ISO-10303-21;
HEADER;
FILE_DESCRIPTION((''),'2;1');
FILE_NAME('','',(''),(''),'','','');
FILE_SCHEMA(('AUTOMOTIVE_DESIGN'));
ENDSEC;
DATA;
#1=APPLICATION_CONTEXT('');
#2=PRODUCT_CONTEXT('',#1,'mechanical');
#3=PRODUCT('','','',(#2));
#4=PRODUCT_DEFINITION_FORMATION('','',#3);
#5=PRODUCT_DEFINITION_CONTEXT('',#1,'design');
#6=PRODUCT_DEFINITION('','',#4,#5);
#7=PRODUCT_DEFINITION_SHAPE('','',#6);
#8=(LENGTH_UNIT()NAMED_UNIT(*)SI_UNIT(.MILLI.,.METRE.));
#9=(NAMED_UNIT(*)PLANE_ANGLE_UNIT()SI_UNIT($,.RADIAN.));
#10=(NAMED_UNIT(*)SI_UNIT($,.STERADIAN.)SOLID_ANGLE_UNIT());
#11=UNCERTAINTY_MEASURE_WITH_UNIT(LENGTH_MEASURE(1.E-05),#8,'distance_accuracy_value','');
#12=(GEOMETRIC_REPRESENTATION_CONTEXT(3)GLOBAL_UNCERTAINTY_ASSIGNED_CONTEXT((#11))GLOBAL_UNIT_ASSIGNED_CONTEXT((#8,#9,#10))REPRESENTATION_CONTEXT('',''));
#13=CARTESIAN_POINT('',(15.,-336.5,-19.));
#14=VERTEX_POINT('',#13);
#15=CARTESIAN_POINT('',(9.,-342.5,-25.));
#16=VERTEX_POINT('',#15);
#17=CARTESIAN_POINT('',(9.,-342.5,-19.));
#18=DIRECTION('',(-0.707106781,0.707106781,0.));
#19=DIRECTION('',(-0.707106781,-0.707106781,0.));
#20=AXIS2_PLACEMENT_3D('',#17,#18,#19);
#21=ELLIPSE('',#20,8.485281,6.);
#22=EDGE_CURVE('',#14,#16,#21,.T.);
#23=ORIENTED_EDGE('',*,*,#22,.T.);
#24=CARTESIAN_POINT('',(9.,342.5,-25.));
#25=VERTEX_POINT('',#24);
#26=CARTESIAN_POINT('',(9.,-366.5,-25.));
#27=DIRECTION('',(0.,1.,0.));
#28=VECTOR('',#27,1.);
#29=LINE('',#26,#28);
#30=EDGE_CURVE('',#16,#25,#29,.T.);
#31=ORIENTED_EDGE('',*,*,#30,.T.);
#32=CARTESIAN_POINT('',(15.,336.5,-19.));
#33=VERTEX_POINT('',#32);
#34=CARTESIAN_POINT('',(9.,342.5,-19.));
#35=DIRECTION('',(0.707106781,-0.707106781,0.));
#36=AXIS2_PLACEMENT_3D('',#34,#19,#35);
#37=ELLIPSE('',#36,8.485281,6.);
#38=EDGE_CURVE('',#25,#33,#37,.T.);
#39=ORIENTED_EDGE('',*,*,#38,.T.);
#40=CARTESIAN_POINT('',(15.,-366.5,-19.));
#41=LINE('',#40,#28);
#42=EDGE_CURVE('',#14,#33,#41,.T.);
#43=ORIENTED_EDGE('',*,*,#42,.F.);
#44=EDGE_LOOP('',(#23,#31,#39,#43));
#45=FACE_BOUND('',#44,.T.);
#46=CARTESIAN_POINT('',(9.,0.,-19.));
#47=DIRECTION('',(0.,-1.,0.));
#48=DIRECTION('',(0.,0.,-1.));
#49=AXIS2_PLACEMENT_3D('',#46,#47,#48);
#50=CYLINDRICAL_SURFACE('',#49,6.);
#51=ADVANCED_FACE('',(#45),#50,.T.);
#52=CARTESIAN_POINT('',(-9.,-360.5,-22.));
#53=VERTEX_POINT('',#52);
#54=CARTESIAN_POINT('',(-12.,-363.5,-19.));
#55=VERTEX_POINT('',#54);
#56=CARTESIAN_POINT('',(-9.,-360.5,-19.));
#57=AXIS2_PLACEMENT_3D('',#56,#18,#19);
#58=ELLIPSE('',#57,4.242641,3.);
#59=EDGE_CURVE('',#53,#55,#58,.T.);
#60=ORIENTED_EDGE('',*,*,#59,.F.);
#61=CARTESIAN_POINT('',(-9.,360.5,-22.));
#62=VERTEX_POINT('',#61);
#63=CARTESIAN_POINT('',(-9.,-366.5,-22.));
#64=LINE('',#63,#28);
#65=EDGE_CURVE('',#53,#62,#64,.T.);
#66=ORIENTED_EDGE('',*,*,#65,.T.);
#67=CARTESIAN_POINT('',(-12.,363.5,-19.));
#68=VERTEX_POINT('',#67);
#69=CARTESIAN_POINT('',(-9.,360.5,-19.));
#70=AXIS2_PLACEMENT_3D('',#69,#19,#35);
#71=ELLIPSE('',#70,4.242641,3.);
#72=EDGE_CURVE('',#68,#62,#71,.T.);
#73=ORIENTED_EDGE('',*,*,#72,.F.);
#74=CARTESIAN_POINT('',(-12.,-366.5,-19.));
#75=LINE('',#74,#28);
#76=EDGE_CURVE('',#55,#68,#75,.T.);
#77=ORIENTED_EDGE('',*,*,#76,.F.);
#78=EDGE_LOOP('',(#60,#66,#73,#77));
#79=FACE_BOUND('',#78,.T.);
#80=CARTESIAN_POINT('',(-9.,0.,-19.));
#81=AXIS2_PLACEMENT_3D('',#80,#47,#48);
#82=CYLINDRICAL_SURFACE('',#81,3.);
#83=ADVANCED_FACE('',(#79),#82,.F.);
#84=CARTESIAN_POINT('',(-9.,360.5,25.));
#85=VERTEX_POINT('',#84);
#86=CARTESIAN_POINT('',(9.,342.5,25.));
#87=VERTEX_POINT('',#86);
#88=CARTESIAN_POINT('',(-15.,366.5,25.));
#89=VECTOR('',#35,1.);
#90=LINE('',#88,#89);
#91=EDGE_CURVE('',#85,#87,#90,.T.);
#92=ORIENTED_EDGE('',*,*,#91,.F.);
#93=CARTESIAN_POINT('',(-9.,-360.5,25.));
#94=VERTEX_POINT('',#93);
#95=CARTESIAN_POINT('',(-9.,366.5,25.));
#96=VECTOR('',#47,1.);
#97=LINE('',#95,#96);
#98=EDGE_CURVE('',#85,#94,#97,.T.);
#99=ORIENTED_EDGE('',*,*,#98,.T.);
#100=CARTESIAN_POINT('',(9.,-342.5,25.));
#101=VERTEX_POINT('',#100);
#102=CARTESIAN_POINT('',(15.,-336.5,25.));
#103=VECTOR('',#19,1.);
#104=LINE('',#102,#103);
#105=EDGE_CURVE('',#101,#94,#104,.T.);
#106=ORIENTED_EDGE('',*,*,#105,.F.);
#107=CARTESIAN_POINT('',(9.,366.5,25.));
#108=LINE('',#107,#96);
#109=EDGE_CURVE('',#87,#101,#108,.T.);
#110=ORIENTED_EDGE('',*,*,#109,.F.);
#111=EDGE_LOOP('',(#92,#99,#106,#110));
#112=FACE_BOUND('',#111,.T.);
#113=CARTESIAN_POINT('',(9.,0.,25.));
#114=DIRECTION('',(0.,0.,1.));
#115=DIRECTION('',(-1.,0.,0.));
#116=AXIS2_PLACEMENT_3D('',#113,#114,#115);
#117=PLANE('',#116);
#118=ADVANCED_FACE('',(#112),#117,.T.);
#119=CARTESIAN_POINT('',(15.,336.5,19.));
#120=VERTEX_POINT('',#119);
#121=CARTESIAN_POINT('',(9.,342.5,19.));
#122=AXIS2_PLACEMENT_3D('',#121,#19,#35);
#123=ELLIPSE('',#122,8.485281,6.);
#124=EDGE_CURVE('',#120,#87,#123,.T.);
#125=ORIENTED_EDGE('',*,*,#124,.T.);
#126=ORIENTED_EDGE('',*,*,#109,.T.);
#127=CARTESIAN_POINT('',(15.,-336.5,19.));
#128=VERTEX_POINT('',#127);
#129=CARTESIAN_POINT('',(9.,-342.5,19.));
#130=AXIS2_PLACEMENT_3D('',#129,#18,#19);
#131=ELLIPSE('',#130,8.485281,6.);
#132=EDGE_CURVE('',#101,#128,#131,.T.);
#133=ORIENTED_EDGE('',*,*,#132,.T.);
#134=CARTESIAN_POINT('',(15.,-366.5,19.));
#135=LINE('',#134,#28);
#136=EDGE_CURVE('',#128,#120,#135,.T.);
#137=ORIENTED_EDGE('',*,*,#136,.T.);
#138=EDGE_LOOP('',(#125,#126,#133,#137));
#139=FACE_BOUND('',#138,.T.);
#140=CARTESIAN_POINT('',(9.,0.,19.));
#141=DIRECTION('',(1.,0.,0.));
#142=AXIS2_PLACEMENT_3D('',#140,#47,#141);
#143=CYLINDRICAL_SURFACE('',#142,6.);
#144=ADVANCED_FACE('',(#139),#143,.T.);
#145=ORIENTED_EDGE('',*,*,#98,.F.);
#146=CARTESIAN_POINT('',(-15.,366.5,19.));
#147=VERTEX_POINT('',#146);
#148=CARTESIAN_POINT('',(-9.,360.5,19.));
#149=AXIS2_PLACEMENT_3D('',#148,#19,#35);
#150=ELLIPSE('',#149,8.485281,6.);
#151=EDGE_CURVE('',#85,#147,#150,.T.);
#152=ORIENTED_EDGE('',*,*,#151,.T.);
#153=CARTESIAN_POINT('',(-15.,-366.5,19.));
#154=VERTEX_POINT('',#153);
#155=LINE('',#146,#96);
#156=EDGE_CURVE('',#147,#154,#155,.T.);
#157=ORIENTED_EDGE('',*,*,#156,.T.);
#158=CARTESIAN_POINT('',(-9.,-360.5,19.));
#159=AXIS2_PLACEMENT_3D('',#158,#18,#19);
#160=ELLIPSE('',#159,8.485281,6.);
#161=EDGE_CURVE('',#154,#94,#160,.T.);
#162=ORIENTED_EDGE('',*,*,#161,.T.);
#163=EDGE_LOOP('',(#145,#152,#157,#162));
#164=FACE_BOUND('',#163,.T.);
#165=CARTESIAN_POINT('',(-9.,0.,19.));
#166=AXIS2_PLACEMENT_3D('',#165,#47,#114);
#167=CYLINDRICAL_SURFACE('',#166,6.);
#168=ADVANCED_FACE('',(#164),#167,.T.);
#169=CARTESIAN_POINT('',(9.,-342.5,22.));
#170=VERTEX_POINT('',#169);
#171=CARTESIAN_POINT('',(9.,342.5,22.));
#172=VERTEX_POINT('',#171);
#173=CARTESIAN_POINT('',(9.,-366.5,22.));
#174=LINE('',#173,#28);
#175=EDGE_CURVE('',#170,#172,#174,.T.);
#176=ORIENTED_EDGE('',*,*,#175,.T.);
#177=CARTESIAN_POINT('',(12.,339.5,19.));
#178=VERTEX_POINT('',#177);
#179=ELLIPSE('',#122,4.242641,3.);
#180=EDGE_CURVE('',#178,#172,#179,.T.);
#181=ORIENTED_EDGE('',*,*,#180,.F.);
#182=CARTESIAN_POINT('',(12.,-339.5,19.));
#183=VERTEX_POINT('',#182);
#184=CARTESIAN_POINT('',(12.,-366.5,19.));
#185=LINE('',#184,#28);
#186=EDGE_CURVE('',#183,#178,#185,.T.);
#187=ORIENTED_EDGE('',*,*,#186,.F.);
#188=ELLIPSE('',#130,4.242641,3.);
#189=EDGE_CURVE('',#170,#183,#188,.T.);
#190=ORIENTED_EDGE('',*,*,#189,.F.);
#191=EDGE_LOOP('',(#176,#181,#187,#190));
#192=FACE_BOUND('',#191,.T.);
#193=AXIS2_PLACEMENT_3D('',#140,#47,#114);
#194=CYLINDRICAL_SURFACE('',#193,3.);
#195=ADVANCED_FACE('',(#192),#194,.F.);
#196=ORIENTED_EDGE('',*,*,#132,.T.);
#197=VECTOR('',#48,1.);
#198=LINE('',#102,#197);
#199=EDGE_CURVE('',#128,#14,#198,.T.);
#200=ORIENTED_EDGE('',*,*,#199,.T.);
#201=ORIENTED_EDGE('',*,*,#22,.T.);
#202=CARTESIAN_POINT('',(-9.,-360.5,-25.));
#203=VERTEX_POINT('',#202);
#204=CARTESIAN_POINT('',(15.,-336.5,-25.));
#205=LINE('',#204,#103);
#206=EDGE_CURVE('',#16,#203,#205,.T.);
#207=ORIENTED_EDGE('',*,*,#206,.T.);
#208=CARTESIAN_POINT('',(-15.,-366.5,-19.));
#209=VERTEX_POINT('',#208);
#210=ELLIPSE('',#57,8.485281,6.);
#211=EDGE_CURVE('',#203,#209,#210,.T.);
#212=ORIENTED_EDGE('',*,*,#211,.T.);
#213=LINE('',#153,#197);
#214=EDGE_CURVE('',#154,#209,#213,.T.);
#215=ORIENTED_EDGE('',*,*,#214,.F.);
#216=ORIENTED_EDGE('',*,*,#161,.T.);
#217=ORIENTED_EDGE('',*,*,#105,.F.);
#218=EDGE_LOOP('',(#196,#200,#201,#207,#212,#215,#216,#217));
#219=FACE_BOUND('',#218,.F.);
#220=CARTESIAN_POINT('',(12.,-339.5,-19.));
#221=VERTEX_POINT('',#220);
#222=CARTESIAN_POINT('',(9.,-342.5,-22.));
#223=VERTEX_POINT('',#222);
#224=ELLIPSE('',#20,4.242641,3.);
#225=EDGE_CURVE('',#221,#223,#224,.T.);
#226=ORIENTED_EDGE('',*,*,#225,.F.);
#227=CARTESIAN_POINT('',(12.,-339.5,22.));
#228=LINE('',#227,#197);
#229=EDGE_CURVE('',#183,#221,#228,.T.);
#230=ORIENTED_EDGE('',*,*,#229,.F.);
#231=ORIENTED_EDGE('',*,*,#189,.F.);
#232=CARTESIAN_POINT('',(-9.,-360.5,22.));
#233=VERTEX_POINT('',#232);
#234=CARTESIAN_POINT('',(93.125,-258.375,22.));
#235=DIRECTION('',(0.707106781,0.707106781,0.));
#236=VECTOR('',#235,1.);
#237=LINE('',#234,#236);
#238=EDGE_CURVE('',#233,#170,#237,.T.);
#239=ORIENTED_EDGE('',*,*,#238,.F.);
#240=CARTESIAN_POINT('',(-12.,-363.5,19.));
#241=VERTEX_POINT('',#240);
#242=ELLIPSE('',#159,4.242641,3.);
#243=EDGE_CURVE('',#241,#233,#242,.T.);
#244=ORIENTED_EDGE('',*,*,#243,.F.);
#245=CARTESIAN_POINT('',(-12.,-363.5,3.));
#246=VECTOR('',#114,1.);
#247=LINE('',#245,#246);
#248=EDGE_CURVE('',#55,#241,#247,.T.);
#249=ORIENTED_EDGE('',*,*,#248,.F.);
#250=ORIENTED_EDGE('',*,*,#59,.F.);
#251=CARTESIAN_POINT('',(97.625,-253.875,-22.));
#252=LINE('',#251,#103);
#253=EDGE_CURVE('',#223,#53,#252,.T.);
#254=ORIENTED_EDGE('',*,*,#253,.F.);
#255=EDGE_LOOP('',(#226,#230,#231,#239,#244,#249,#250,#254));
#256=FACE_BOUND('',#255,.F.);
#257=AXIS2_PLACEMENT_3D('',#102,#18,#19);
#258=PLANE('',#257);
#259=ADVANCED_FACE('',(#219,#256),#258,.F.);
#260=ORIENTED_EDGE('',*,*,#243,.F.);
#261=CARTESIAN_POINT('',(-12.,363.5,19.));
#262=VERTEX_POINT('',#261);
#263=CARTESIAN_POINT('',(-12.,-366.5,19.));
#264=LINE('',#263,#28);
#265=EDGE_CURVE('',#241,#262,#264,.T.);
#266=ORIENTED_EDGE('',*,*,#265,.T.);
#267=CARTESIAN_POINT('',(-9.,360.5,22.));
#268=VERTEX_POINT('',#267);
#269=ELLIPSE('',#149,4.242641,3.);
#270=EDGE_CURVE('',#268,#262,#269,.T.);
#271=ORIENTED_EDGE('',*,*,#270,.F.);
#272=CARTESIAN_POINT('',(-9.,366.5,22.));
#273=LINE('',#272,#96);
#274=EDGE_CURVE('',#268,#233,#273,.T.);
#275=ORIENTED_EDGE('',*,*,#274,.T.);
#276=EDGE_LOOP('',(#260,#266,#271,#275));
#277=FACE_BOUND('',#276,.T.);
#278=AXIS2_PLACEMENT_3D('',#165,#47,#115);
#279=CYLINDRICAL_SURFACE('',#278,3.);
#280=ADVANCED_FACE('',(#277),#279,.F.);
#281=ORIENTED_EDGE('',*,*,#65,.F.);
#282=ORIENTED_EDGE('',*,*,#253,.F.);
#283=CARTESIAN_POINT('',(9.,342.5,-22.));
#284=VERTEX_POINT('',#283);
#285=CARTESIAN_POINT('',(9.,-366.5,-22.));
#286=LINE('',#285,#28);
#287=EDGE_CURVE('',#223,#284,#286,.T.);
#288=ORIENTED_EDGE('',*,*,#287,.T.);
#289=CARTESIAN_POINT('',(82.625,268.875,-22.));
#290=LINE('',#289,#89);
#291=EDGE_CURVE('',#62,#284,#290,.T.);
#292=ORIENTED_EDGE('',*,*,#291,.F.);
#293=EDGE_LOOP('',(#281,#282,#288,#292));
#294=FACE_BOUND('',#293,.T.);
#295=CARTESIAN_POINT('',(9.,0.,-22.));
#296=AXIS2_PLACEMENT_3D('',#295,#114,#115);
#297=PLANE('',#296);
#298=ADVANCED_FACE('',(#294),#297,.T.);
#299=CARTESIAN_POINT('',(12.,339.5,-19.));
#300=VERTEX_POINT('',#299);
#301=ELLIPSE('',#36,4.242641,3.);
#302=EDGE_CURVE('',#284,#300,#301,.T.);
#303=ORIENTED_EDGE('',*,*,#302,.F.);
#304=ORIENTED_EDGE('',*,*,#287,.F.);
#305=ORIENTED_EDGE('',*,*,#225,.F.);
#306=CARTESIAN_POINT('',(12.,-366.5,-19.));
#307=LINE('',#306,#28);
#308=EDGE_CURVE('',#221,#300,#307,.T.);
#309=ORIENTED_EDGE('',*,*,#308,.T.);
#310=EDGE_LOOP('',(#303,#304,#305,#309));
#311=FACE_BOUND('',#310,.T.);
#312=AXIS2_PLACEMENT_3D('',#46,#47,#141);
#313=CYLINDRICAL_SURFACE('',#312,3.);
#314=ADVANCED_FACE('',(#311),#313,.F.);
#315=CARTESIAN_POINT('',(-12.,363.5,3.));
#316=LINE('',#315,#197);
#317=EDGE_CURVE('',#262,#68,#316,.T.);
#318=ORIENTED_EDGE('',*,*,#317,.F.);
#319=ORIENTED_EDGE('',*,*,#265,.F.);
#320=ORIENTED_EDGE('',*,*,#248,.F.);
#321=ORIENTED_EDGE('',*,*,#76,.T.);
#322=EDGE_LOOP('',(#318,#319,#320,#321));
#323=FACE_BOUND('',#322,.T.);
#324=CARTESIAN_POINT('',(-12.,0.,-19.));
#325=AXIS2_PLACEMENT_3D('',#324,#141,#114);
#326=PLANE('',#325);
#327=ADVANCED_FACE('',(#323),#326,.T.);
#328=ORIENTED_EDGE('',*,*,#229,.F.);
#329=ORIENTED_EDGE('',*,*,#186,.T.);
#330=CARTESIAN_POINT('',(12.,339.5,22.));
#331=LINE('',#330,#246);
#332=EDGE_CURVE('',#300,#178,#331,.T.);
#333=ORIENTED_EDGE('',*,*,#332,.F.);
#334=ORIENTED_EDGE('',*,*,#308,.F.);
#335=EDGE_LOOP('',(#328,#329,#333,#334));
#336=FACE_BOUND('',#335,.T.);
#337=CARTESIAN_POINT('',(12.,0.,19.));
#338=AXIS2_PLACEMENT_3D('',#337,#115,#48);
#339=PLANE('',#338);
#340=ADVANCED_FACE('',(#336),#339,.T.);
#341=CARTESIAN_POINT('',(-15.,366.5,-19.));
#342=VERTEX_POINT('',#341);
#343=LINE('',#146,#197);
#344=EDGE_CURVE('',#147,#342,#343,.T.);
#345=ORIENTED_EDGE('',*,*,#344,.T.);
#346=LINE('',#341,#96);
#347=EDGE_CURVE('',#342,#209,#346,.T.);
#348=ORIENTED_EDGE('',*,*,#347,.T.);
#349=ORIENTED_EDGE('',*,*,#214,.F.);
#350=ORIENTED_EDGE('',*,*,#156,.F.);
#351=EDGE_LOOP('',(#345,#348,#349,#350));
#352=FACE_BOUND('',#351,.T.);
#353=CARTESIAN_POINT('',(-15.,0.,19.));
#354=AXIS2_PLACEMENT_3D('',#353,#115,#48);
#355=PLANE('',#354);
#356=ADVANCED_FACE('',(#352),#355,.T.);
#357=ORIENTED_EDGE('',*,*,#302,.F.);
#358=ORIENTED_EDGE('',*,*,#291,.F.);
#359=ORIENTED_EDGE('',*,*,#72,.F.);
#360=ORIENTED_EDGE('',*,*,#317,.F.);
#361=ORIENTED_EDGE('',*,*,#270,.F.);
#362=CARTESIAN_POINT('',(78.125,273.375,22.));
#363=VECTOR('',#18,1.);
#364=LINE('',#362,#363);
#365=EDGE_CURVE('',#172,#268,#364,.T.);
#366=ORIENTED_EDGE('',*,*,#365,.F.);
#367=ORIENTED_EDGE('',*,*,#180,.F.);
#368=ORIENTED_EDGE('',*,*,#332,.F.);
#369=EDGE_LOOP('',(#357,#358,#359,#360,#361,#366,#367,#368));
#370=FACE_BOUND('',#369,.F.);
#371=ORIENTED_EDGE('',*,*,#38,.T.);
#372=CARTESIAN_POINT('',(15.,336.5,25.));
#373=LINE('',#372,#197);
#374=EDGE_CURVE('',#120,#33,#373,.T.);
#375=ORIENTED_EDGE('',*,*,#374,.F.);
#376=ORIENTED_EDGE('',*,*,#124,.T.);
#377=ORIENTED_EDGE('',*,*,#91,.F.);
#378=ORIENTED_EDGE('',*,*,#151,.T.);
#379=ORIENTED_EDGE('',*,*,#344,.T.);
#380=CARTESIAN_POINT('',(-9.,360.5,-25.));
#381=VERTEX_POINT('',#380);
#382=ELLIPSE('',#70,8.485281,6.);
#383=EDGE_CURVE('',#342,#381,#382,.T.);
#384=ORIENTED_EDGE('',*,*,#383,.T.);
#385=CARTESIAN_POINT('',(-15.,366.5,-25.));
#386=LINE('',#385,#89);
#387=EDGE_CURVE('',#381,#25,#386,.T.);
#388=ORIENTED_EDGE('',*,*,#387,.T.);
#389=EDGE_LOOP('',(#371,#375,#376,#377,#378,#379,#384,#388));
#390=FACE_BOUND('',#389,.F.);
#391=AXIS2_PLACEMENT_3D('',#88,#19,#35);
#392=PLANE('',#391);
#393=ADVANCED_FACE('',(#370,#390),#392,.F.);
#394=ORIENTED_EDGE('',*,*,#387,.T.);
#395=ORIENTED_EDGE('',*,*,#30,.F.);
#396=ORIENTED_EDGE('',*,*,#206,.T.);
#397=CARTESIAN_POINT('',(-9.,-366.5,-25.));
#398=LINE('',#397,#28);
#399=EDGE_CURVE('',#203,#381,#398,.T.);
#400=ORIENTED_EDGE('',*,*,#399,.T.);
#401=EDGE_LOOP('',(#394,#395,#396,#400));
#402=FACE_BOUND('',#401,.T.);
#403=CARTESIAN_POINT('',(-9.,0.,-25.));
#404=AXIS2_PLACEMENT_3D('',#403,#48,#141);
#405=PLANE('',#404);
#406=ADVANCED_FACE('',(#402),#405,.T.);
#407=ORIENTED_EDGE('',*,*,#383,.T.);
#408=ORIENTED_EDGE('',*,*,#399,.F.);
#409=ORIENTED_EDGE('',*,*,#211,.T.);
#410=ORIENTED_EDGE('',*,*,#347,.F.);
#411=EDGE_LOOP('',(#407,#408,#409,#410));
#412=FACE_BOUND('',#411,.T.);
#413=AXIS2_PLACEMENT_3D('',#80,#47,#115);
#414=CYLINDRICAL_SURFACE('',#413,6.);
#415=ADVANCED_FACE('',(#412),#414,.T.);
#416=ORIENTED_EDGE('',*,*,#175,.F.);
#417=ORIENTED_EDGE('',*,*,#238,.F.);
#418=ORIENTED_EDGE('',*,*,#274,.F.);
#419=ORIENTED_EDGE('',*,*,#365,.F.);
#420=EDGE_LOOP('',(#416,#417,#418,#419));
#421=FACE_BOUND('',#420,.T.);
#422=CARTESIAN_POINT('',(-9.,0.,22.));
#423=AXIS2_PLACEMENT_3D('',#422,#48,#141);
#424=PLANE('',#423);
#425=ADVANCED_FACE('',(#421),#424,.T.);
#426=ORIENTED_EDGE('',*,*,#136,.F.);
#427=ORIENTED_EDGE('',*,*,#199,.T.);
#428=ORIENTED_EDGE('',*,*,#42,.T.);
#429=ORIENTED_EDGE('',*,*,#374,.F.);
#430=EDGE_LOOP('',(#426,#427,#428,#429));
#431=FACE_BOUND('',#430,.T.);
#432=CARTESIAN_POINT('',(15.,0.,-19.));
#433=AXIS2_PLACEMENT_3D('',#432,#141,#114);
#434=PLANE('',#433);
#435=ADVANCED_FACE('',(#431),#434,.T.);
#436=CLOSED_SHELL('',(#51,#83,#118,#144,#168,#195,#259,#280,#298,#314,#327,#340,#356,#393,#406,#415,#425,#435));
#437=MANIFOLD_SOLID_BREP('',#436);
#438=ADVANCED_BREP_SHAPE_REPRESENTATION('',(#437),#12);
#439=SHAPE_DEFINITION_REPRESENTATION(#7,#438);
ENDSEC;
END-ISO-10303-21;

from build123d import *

# Parameters (mm, degrees)
F1_DEPTH = 366.5
F3_DEPTH = 50


with BuildPart() as f1:
    # F0 (on Front) → F1 (new body, symmetric)
    with BuildSketch(Plane.XZ):
        with BuildLine():
            ThreePointArc((15, 19), (13.2426406871, 23.2426406871), (9, 25))
            Line((9, 25), (-9, 25))
            ThreePointArc((-9, 25), (-13.2426406871, 23.2426406871), (-15, 19))
            Line((-15, 19), (-15, -19))
            ThreePointArc((-15, -19), (-13.2426406871, -23.2426406871), (-9, -25))
            Line((-9, -25), (9, -25))
            ThreePointArc((9, -25), (13.2426406871, -23.2426406871), (15, -19))
            Line((15, -19), (15, 19))
        make_face()
        with BuildLine():
            Line((-9, 22), (9, 22))
            ThreePointArc((9, 22), (11.1213203436, 21.1213203436), (12, 19))
            Line((12, 19), (12, -19))
            ThreePointArc((12, -19), (11.1213203436, -21.1213203436), (9, -22))
            Line((9, -22), (-9, -22))
            ThreePointArc((-9, -22), (-11.1213203436, -21.1213203436), (-12, -19))
            Line((-12, -19), (-12, 19))
            ThreePointArc((-12, 19), (-11.1213203436, 21.1213203436), (-9, 22))
        make_face(mode=Mode.SUBTRACT)
    extrude(amount=F1_DEPTH, both=True)

    # F2 (on face) → F3 (cut, through all)
    with BuildSketch(Plane.XY.offset(25)):
        Polygon((-9, -366.5), (-9, -360.5), (-15, -366.5), align=None)
        Polygon((9, -366.5), (9, -342.5), (-9, -360.5), (-9, -366.5), align=None)
        Polygon((15, -336.5), (9, -342.5), (9, -366.5), (15, -366.5), align=None)
        Polygon((-15, 366.5), (-9, 360.5), (-9, 366.5), align=None)
        Polygon((-9, 360.5), (9, 342.5), (9, 366.5), (-9, 366.5), align=None)
        Polygon((9, 342.5), (15, 336.5), (15, 366.5), (9, 366.5), align=None)
    extrude(amount=-F3_DEPTH, mode=Mode.SUBTRACT)


solid = f1.part
